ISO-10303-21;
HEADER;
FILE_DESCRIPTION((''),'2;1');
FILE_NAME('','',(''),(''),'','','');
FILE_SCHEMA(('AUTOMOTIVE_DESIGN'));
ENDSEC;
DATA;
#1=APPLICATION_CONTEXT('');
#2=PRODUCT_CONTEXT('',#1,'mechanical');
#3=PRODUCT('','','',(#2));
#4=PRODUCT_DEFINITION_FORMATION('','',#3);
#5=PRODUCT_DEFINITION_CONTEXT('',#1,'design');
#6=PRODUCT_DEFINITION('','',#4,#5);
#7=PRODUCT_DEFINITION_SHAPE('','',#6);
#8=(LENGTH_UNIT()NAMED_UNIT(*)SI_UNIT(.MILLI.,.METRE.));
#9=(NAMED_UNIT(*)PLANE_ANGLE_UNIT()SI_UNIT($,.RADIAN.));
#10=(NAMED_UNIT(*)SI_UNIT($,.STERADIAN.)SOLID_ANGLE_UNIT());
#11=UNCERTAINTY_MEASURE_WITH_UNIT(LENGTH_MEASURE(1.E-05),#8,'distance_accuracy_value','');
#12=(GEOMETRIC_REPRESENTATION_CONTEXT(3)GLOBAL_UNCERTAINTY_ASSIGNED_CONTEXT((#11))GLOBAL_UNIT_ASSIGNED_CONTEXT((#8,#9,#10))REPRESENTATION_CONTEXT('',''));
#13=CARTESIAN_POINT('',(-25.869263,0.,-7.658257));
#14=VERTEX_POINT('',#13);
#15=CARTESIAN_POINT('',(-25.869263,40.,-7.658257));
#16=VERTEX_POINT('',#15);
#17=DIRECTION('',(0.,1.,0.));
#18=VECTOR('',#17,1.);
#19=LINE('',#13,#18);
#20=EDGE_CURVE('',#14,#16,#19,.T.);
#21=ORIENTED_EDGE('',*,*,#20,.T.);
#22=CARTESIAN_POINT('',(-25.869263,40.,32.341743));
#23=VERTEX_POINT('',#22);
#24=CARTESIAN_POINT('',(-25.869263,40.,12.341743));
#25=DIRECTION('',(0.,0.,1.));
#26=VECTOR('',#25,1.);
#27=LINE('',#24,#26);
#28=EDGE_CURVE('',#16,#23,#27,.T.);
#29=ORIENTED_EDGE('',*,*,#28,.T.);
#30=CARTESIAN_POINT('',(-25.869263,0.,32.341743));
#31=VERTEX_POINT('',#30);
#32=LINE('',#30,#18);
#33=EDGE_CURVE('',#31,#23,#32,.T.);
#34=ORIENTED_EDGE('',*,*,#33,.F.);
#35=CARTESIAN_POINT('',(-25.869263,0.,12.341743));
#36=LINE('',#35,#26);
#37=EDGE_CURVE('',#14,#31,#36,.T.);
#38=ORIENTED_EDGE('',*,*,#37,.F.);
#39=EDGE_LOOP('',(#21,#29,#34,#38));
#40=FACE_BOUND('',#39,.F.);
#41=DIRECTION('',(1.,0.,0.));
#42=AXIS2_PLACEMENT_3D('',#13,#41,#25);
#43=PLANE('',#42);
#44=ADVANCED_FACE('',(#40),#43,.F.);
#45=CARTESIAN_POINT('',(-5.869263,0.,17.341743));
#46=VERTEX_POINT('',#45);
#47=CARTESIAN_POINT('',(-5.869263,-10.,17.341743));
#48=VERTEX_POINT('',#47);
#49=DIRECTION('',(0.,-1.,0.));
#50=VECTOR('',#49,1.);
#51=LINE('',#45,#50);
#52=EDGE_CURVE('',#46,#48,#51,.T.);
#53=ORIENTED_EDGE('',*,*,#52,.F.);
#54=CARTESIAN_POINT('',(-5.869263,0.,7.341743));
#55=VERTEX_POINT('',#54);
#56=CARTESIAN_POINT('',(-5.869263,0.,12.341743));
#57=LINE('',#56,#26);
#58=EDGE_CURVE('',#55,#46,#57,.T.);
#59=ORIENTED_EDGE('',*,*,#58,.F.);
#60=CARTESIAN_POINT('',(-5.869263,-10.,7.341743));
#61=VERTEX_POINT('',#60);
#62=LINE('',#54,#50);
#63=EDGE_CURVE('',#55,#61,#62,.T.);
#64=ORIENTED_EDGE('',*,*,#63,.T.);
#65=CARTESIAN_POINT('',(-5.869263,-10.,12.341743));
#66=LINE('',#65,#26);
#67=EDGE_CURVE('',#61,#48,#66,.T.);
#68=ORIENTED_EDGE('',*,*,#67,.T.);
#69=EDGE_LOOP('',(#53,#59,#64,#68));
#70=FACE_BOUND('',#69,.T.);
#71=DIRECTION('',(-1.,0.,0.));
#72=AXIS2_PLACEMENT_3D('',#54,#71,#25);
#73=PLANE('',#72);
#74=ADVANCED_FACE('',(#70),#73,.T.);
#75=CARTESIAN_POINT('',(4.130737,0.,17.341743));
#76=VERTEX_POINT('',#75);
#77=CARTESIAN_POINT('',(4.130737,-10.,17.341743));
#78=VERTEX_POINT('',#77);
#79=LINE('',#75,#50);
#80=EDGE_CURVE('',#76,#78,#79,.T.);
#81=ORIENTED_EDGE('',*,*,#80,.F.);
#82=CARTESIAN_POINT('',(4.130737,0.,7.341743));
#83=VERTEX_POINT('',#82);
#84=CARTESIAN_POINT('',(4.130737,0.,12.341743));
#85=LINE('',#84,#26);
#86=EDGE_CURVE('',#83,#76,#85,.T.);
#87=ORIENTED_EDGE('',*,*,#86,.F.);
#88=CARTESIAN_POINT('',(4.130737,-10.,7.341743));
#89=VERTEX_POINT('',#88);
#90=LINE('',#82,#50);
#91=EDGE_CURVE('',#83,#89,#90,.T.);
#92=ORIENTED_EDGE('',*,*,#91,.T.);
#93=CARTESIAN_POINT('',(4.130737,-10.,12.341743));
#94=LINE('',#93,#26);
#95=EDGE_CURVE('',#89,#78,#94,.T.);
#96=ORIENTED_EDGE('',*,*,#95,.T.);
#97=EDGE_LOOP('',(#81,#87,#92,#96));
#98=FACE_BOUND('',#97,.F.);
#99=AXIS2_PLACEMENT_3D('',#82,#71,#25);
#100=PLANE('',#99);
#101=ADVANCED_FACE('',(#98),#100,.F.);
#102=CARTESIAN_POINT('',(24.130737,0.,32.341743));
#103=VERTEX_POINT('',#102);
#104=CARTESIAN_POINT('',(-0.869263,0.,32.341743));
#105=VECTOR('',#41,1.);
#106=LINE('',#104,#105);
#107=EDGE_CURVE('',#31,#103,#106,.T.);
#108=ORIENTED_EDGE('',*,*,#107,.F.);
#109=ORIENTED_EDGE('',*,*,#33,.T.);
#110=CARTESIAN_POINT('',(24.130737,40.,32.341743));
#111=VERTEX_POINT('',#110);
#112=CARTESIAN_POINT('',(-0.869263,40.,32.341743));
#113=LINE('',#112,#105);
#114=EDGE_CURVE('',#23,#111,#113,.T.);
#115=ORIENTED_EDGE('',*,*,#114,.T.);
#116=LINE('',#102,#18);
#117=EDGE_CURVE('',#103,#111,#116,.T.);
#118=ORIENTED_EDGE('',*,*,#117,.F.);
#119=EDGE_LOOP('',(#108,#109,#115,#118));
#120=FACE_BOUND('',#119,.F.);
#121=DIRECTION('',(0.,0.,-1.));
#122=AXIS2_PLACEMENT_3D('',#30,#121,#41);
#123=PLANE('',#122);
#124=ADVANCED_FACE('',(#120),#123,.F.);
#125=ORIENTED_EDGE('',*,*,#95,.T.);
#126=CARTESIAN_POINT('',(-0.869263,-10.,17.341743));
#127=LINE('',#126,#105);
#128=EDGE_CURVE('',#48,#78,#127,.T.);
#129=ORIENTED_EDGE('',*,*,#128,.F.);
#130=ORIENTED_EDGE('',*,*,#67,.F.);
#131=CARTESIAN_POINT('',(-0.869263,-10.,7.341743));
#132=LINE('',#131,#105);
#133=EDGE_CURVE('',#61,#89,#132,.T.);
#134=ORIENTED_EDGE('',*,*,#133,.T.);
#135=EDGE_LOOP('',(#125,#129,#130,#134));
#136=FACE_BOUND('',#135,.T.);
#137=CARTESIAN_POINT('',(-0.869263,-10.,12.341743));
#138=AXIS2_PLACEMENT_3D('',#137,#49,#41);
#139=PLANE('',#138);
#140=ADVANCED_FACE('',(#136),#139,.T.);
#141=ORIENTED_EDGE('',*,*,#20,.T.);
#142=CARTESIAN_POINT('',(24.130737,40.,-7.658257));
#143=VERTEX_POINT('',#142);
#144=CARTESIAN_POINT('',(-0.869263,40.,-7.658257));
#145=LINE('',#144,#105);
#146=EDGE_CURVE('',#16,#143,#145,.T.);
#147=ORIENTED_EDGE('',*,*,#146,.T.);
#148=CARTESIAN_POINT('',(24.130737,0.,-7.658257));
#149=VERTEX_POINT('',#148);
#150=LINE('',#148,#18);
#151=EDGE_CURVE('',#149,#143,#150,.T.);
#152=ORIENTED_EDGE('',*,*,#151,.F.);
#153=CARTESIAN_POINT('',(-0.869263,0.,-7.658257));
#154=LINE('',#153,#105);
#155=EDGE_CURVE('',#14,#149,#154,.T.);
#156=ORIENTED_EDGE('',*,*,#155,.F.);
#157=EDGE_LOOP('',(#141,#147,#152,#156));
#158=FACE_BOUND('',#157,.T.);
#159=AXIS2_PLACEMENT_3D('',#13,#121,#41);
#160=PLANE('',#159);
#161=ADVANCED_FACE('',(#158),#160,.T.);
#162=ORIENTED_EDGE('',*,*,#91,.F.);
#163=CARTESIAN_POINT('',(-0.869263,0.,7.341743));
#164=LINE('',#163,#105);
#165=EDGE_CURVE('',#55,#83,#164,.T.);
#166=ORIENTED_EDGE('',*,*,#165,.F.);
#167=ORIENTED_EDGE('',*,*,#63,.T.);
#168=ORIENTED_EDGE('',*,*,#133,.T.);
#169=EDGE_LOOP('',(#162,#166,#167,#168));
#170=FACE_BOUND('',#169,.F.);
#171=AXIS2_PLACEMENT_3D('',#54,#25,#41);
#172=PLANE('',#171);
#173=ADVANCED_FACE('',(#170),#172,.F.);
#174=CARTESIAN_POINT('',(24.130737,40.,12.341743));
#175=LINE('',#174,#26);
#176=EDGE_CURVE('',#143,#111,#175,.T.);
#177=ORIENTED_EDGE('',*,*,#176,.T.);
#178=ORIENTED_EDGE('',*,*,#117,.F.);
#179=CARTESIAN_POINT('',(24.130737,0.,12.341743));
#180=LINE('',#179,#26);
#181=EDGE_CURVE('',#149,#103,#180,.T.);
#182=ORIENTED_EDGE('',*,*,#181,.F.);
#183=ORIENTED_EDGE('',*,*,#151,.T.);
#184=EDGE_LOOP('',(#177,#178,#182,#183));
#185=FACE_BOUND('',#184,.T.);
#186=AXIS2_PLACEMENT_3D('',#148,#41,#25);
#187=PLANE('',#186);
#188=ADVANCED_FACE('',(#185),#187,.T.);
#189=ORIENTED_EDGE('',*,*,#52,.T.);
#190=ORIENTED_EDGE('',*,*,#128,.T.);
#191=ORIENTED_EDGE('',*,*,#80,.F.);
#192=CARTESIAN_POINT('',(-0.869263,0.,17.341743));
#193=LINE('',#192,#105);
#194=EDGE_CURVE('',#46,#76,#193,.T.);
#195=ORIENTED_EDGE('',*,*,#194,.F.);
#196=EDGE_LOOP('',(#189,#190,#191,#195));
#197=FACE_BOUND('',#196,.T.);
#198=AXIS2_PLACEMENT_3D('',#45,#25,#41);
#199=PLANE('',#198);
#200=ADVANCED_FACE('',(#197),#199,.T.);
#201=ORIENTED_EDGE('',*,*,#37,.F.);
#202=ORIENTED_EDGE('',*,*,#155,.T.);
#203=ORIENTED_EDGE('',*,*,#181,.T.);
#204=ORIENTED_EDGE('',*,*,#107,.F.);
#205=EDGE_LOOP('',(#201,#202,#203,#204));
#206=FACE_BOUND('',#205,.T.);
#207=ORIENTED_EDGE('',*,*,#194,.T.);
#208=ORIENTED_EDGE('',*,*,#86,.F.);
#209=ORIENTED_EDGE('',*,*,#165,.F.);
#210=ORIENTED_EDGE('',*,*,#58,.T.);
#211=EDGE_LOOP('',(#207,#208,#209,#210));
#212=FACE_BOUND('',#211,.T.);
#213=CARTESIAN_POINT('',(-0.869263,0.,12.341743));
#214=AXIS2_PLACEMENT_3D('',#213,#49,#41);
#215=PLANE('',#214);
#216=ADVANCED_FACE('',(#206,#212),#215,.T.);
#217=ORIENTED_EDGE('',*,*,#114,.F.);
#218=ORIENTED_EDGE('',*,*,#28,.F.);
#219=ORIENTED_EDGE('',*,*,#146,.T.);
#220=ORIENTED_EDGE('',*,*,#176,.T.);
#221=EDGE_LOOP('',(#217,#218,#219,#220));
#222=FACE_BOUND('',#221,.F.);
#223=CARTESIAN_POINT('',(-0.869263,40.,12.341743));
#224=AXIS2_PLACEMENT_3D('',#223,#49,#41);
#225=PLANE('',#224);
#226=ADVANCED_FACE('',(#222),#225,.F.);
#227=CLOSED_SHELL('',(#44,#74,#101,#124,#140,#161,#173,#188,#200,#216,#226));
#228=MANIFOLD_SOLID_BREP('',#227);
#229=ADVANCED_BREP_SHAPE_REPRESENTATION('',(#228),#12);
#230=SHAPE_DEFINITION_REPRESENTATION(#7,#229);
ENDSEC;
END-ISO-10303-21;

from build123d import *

# Parameters (mm, degrees)
F0_W     = 50
F0_H     = 40
F0_W_2   = 10
F0_H_2   = 10
F1_DEPTH = 40
F4_DEPTH = 10


with BuildPart() as f1:
    # F0 (on Front) → F1 (new body)
    with BuildSketch(Plane.XZ):
        with Locations((-0.869263, 12.341743)):
            Rectangle(F0_W, F0_H)
        with Locations((-0.869263, 12.341743)):
            Rectangle(F0_W_2, F0_H_2, mode=Mode.SUBTRACT)
        with Locations((-0.869263, 12.341743)):
            Rectangle(F0_W_2, F0_H_2)
    extrude(amount=-F1_DEPTH)

    # F0 (on Front) → F4 (join)
    with BuildSketch(Plane.XZ):
        with Locations((-0.869263, 12.341743)):
            Rectangle(F0_W_2, F0_H_2)
    extrude(amount=F4_DEPTH)


solid = f1.part
